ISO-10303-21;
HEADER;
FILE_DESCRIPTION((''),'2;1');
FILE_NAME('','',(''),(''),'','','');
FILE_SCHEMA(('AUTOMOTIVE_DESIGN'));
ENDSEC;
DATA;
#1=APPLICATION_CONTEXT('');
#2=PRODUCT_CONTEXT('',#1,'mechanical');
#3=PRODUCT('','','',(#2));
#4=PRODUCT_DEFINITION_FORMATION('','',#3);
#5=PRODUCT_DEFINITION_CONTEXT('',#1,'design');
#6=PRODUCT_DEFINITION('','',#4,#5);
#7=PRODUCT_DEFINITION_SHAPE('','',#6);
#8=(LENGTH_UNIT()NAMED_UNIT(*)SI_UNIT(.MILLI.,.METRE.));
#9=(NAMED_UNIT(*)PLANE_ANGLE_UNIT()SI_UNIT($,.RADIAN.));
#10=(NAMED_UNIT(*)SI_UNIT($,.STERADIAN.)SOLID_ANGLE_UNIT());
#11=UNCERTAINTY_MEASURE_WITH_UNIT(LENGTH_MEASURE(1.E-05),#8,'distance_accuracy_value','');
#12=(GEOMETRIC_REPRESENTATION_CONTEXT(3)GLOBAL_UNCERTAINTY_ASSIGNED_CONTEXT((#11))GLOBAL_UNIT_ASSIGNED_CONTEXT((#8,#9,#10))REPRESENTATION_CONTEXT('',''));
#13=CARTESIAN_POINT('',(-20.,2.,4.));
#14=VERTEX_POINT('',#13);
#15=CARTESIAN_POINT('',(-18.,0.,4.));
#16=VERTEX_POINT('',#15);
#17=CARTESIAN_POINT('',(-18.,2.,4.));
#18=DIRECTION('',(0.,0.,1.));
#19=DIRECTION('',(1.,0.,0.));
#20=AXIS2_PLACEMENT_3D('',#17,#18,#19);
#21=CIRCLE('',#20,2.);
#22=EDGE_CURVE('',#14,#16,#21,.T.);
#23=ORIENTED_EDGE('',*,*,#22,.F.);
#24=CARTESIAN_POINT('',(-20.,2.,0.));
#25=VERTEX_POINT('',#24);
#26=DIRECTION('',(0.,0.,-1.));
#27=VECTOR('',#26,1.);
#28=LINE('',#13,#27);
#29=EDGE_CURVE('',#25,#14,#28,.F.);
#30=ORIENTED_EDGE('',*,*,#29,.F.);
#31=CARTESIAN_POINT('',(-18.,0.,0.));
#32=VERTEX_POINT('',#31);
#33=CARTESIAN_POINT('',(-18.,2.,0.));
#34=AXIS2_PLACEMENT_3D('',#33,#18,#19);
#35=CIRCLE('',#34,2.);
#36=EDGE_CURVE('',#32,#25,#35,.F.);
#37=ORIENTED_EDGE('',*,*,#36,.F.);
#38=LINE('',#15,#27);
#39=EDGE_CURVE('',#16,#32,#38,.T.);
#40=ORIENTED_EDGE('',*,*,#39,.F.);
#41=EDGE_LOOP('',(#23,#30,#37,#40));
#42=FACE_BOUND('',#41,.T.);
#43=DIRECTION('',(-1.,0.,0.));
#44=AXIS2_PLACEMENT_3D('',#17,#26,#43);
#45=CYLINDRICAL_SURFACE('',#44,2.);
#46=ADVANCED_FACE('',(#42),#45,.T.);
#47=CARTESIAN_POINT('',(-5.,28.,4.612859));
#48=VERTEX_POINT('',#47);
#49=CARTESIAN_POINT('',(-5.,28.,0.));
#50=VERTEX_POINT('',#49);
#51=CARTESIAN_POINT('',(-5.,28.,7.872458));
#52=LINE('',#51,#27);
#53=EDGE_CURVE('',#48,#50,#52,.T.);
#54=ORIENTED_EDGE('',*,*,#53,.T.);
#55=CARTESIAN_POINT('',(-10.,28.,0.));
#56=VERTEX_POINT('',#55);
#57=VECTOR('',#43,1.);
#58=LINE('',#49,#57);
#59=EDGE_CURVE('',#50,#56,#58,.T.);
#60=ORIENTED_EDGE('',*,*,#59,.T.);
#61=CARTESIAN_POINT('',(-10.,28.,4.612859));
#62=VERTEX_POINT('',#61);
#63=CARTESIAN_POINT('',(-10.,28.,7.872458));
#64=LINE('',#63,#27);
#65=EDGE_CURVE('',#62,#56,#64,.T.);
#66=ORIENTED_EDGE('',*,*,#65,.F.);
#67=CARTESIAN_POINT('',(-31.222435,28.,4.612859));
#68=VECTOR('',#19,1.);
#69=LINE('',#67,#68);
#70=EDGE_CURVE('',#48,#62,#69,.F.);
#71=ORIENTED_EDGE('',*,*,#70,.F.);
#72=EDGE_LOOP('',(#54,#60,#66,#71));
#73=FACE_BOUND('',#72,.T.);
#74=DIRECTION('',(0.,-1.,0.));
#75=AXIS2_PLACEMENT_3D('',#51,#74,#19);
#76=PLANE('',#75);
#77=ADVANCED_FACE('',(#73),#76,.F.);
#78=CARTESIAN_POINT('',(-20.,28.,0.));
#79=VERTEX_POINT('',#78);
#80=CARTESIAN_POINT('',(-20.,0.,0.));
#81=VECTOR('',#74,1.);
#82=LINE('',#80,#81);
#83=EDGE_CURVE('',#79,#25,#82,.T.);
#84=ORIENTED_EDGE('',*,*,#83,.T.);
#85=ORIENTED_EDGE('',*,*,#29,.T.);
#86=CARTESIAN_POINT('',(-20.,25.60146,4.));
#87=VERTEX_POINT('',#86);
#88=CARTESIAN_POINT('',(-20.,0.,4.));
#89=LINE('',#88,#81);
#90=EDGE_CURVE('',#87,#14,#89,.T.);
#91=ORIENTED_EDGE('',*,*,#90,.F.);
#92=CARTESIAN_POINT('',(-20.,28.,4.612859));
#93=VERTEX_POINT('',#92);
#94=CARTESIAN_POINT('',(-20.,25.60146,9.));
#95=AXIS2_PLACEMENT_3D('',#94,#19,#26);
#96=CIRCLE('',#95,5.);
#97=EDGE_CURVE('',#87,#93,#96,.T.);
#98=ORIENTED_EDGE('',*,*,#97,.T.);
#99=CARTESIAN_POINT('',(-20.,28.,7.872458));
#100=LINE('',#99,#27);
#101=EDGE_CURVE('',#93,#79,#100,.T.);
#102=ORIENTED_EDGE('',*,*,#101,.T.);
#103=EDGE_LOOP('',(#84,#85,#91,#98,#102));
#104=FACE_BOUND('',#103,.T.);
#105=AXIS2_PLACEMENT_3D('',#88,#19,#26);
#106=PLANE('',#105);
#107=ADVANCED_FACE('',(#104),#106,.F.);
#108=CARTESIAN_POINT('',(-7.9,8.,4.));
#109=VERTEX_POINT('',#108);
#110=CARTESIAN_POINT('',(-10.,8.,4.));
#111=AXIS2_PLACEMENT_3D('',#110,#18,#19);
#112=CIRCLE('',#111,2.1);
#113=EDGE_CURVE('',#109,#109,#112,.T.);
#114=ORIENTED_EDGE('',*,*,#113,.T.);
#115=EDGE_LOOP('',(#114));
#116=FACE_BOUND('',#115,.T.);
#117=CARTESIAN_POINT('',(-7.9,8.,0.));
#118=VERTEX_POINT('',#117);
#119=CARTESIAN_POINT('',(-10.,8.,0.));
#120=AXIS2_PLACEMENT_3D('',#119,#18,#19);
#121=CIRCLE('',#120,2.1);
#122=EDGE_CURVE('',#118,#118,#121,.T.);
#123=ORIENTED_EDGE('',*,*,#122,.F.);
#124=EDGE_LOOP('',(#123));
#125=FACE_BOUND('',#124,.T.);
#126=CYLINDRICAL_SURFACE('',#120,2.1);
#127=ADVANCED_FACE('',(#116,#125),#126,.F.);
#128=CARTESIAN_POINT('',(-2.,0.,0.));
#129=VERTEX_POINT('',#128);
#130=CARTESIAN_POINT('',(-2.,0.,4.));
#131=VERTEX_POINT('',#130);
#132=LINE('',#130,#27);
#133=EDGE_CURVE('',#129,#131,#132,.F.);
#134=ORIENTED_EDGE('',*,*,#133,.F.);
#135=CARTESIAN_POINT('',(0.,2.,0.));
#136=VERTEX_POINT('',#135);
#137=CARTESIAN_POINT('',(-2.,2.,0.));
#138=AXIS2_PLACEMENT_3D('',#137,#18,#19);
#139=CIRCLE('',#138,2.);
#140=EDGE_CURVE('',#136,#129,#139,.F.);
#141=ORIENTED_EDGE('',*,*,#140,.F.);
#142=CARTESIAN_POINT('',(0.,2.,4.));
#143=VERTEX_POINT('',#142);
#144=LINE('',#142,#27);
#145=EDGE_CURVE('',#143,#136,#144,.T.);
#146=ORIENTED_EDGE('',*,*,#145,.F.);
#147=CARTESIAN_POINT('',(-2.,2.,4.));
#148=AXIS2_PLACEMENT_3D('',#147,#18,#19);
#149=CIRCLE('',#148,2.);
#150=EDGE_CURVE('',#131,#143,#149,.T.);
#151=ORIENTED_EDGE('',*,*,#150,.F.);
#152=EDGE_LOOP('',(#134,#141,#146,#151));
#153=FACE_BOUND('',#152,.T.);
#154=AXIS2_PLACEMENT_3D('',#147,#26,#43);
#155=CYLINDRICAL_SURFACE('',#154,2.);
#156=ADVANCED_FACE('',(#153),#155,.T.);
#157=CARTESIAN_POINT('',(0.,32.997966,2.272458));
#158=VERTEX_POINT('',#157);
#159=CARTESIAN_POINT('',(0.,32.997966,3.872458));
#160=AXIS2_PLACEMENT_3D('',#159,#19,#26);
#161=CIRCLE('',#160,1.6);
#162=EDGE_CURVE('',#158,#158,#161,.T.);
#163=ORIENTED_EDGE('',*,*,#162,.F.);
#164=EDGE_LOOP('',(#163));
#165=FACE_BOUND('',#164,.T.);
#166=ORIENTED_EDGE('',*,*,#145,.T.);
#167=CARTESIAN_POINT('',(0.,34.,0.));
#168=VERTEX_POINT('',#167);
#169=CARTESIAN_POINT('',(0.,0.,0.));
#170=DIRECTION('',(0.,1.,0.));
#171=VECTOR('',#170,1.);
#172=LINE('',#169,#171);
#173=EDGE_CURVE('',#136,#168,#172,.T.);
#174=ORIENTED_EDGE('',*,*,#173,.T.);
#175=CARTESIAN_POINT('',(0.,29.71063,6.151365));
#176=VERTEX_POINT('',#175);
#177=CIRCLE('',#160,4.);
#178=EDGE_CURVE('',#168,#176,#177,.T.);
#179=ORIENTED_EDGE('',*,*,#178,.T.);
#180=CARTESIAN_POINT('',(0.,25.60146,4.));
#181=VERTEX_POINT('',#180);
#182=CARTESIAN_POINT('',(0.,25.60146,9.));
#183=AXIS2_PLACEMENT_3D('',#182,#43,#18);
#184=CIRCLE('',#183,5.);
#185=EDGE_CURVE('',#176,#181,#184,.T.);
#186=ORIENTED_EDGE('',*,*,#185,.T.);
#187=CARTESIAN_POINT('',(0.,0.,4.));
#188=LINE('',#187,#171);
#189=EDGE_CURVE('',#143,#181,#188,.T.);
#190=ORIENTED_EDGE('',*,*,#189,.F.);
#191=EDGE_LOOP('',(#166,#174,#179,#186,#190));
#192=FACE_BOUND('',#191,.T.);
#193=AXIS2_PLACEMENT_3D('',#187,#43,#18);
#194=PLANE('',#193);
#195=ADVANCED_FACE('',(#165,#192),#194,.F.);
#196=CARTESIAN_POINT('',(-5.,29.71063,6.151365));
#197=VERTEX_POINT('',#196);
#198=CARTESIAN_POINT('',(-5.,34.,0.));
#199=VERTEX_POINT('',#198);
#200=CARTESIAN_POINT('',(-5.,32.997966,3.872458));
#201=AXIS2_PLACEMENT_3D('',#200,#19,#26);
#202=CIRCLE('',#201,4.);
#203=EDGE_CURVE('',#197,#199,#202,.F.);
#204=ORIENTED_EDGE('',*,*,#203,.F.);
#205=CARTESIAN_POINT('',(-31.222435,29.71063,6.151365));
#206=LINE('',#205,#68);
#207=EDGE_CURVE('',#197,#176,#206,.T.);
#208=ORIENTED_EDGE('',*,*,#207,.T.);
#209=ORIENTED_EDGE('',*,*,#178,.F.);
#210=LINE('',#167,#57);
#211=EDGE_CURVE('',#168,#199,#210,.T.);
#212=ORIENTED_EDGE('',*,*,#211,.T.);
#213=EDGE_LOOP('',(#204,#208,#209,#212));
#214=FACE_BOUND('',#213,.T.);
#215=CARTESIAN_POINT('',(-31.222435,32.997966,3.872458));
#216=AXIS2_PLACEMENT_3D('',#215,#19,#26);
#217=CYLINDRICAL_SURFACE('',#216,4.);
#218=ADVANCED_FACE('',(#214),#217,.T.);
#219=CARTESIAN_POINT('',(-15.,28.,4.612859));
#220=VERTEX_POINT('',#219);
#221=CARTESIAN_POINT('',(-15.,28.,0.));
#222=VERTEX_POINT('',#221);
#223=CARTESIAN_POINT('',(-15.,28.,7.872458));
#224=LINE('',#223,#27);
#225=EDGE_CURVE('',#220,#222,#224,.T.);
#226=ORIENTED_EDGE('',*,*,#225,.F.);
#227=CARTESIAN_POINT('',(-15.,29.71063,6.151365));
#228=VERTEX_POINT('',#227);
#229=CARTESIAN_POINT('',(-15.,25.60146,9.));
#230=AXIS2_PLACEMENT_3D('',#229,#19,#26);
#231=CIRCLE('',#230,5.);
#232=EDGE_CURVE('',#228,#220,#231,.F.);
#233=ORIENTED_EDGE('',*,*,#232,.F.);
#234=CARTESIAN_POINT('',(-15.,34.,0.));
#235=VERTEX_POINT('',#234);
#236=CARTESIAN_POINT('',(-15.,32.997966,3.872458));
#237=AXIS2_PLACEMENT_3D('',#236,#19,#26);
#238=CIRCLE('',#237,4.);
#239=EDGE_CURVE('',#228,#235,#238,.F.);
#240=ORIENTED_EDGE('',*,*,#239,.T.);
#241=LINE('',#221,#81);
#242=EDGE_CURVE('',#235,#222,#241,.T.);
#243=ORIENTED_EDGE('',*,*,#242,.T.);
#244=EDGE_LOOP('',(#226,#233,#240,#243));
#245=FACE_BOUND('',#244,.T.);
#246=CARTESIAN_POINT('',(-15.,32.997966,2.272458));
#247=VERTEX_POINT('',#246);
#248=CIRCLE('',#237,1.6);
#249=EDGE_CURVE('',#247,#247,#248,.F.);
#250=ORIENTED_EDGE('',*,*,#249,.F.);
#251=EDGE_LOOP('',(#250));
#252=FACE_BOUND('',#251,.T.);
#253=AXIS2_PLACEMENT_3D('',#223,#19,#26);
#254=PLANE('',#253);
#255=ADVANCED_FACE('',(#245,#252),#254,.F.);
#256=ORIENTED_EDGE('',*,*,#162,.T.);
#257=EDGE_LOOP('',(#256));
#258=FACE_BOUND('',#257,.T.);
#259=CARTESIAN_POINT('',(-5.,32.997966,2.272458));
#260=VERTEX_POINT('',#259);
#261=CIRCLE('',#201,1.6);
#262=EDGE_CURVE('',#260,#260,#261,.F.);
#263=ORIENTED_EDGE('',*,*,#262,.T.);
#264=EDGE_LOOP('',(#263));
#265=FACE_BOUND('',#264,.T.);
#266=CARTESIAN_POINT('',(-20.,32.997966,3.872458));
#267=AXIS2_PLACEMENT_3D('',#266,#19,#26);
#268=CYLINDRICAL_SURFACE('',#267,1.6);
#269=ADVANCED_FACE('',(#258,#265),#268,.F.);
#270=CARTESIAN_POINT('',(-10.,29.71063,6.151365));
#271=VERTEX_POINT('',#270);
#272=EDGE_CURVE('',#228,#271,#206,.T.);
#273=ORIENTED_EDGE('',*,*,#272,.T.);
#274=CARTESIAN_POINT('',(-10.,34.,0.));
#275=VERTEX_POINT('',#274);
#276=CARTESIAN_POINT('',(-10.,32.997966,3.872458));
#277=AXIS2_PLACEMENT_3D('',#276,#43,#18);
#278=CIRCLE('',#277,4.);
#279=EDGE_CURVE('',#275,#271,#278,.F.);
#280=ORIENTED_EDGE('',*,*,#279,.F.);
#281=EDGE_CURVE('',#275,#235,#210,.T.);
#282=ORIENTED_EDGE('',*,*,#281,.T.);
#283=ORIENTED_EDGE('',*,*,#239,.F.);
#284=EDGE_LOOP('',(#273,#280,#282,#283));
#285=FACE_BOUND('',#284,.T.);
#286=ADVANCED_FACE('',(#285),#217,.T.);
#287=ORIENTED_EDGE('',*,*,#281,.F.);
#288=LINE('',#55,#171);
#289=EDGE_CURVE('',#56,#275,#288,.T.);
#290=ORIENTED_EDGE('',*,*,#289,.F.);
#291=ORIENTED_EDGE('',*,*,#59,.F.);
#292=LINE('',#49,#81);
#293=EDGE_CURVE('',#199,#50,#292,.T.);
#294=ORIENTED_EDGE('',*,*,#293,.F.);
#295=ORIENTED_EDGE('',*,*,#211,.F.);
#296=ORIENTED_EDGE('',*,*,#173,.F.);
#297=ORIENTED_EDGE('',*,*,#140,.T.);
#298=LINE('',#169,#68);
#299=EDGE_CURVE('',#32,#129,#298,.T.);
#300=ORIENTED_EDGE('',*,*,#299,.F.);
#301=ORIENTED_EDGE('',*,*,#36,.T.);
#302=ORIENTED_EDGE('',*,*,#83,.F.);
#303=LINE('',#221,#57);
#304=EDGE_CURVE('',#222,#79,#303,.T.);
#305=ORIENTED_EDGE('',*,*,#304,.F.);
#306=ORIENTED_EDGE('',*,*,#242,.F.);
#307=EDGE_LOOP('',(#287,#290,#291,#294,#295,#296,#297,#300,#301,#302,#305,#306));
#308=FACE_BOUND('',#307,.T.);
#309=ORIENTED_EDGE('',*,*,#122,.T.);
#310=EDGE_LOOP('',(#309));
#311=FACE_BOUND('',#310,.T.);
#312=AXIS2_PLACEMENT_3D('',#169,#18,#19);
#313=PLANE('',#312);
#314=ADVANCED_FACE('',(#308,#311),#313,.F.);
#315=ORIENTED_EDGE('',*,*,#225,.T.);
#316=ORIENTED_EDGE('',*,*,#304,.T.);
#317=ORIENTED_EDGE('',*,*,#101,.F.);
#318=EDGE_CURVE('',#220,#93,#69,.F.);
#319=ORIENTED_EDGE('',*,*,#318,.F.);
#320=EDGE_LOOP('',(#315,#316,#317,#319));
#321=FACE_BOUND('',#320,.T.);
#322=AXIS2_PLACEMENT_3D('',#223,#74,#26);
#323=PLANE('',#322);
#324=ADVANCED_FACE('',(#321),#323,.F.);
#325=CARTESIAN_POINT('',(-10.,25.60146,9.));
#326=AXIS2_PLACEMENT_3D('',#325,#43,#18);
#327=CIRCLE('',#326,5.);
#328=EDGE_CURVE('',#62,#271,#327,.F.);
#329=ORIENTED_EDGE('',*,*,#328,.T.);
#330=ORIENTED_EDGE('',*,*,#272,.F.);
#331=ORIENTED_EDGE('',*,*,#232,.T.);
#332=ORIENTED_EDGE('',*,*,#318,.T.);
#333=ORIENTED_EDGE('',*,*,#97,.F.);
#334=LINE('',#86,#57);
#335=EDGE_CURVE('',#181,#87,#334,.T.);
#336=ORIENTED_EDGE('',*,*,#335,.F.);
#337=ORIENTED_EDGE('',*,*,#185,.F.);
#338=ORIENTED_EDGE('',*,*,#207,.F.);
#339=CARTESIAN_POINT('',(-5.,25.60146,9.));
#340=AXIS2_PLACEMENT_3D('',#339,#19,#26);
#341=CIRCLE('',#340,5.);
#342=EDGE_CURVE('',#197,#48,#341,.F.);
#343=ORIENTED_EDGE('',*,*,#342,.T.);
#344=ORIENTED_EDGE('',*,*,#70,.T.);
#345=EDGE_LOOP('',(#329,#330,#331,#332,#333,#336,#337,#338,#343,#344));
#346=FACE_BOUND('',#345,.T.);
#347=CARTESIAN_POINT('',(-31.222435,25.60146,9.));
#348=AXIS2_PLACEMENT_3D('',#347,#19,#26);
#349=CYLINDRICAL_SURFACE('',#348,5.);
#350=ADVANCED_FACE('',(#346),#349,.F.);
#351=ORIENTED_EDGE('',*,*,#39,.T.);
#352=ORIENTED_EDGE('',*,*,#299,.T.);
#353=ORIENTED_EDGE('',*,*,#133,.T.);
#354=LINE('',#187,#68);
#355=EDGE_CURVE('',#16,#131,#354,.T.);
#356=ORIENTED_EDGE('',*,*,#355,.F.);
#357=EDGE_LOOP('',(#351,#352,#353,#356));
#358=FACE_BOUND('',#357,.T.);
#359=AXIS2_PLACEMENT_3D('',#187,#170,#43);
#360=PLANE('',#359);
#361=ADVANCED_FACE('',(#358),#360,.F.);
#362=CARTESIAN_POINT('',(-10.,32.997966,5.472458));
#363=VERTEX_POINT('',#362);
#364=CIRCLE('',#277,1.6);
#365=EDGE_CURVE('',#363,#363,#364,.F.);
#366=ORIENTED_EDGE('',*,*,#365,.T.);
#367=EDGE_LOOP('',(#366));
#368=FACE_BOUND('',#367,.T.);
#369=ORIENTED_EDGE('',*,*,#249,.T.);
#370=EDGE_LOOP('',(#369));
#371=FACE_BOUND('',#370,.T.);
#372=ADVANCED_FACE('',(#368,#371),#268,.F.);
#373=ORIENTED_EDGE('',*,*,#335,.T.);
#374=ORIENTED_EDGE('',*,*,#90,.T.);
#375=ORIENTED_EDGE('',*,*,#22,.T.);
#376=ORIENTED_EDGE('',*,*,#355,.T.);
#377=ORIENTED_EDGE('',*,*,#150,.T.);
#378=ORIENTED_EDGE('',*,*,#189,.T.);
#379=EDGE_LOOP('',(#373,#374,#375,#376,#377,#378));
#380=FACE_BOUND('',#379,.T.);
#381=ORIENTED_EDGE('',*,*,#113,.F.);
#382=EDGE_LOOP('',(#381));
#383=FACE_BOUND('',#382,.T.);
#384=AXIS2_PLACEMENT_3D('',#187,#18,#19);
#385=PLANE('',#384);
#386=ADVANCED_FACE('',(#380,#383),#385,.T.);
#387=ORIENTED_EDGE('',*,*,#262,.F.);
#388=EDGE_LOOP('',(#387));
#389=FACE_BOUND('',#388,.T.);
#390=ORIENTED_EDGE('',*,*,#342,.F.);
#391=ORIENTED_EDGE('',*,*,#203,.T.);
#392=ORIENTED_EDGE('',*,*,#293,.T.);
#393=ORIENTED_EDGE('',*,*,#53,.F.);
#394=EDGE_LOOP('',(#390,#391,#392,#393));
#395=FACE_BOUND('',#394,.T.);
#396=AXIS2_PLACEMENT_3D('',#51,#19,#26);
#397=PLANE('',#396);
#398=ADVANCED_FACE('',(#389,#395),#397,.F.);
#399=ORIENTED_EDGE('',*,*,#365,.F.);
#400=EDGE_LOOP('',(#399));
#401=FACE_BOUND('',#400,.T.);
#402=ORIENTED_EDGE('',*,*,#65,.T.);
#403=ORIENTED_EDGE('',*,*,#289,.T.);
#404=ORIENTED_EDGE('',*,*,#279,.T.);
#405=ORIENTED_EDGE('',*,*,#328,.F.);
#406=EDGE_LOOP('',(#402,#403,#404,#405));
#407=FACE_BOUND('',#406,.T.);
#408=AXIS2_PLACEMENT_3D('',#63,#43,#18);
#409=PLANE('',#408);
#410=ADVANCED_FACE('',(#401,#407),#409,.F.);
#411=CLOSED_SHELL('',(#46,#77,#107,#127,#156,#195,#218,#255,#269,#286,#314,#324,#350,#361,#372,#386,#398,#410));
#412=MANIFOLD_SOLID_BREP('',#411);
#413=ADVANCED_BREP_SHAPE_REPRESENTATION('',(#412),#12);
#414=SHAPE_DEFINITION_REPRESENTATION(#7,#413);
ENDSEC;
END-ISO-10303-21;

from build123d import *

# Parameters (mm, degrees)
SKETCH1_W           = 20
SKETCH1_H           = 34
BOSS_EXTRUDE1_DEPTH = 4
BOSS_EXTRUDE2_DEPTH = 20
FILLET1_R           = 5
SKETCH3_R           = 1.6
CUT_EXTRUDE1_DEPTH  = 21
SKETCH4_R           = 2.1
CUT_EXTRUDE2_DEPTH  = 5
FILLET2_R           = 2
SKETCH5_W           = 5
SKETCH5_H           = 12
CUT_EXTRUDE3_DEPTH  = 8.872457626


with BuildPart() as part:
    # Sketch1 → Boss-Extrude1 (new body)
    with BuildSketch(Plane.XY):
        with Locations((-10, 17)):
            Rectangle(SKETCH1_W, SKETCH1_H)
    extrude(amount=BOSS_EXTRUDE1_DEPTH)

    # Sketch2 → Boss-Extrude2 (add)
    with BuildSketch(Plane(origin=(0, 0, 0), x_dir=(0, 0, -1), z_dir=(1, 0, 0))):
        with BuildLine():
            Line((-4, 29), (-4, 34))
            Line((-4, 34), (0, 34))
            ThreePointArc((0, 34), (-6.995932864, 35.496746291), (-4, 29))
        make_face()
    extrude(amount=-BOSS_EXTRUDE2_DEPTH)

    # Fillet1
    fillet1_edges = [part.edges().sort_by_distance(p)[0] for p in [
        (-10, 29, 4),
    ]]
    fillet(fillet1_edges, radius=FILLET1_R)

    # Sketch3 → Cut-Extrude1 (cut, through all)
    with BuildSketch(Plane(origin=(0, 0, 0), x_dir=(0, 0, -1), z_dir=(1, 0, 0))):
        with Locations((-3.872457626, 32.997966101)):
            Circle(SKETCH3_R)
    extrude(amount=-CUT_EXTRUDE1_DEPTH, mode=Mode.SUBTRACT)

    # Sketch4 → Cut-Extrude2 (cut, through all)
    with BuildSketch(Plane.XY.offset(4)):
        with Locations((-10, 8)):
            Circle(SKETCH4_R)
    extrude(amount=-CUT_EXTRUDE2_DEPTH, mode=Mode.SUBTRACT)

    # Fillet2
    fillet2_edges = [part.edges().sort_by_distance(p)[0] for p in [
        (0, 0, 2),
        (-20, 0, 2),
    ]]
    fillet(fillet2_edges, radius=FILLET2_R)

    # Sketch5 → Cut-Extrude3 (cut, through all)
    with BuildSketch(Plane(origin=(0, 0, 0), x_dir=(-1, 0, 0), z_dir=(0, 0, -1))):
        with Locations((7.5, 34)):
            Rectangle(SKETCH5_W, SKETCH5_H)
        with Locations((17.5, 34)):
            Rectangle(SKETCH5_W, SKETCH5_H)
    extrude(amount=-CUT_EXTRUDE3_DEPTH, mode=Mode.SUBTRACT)


solid = part.part
